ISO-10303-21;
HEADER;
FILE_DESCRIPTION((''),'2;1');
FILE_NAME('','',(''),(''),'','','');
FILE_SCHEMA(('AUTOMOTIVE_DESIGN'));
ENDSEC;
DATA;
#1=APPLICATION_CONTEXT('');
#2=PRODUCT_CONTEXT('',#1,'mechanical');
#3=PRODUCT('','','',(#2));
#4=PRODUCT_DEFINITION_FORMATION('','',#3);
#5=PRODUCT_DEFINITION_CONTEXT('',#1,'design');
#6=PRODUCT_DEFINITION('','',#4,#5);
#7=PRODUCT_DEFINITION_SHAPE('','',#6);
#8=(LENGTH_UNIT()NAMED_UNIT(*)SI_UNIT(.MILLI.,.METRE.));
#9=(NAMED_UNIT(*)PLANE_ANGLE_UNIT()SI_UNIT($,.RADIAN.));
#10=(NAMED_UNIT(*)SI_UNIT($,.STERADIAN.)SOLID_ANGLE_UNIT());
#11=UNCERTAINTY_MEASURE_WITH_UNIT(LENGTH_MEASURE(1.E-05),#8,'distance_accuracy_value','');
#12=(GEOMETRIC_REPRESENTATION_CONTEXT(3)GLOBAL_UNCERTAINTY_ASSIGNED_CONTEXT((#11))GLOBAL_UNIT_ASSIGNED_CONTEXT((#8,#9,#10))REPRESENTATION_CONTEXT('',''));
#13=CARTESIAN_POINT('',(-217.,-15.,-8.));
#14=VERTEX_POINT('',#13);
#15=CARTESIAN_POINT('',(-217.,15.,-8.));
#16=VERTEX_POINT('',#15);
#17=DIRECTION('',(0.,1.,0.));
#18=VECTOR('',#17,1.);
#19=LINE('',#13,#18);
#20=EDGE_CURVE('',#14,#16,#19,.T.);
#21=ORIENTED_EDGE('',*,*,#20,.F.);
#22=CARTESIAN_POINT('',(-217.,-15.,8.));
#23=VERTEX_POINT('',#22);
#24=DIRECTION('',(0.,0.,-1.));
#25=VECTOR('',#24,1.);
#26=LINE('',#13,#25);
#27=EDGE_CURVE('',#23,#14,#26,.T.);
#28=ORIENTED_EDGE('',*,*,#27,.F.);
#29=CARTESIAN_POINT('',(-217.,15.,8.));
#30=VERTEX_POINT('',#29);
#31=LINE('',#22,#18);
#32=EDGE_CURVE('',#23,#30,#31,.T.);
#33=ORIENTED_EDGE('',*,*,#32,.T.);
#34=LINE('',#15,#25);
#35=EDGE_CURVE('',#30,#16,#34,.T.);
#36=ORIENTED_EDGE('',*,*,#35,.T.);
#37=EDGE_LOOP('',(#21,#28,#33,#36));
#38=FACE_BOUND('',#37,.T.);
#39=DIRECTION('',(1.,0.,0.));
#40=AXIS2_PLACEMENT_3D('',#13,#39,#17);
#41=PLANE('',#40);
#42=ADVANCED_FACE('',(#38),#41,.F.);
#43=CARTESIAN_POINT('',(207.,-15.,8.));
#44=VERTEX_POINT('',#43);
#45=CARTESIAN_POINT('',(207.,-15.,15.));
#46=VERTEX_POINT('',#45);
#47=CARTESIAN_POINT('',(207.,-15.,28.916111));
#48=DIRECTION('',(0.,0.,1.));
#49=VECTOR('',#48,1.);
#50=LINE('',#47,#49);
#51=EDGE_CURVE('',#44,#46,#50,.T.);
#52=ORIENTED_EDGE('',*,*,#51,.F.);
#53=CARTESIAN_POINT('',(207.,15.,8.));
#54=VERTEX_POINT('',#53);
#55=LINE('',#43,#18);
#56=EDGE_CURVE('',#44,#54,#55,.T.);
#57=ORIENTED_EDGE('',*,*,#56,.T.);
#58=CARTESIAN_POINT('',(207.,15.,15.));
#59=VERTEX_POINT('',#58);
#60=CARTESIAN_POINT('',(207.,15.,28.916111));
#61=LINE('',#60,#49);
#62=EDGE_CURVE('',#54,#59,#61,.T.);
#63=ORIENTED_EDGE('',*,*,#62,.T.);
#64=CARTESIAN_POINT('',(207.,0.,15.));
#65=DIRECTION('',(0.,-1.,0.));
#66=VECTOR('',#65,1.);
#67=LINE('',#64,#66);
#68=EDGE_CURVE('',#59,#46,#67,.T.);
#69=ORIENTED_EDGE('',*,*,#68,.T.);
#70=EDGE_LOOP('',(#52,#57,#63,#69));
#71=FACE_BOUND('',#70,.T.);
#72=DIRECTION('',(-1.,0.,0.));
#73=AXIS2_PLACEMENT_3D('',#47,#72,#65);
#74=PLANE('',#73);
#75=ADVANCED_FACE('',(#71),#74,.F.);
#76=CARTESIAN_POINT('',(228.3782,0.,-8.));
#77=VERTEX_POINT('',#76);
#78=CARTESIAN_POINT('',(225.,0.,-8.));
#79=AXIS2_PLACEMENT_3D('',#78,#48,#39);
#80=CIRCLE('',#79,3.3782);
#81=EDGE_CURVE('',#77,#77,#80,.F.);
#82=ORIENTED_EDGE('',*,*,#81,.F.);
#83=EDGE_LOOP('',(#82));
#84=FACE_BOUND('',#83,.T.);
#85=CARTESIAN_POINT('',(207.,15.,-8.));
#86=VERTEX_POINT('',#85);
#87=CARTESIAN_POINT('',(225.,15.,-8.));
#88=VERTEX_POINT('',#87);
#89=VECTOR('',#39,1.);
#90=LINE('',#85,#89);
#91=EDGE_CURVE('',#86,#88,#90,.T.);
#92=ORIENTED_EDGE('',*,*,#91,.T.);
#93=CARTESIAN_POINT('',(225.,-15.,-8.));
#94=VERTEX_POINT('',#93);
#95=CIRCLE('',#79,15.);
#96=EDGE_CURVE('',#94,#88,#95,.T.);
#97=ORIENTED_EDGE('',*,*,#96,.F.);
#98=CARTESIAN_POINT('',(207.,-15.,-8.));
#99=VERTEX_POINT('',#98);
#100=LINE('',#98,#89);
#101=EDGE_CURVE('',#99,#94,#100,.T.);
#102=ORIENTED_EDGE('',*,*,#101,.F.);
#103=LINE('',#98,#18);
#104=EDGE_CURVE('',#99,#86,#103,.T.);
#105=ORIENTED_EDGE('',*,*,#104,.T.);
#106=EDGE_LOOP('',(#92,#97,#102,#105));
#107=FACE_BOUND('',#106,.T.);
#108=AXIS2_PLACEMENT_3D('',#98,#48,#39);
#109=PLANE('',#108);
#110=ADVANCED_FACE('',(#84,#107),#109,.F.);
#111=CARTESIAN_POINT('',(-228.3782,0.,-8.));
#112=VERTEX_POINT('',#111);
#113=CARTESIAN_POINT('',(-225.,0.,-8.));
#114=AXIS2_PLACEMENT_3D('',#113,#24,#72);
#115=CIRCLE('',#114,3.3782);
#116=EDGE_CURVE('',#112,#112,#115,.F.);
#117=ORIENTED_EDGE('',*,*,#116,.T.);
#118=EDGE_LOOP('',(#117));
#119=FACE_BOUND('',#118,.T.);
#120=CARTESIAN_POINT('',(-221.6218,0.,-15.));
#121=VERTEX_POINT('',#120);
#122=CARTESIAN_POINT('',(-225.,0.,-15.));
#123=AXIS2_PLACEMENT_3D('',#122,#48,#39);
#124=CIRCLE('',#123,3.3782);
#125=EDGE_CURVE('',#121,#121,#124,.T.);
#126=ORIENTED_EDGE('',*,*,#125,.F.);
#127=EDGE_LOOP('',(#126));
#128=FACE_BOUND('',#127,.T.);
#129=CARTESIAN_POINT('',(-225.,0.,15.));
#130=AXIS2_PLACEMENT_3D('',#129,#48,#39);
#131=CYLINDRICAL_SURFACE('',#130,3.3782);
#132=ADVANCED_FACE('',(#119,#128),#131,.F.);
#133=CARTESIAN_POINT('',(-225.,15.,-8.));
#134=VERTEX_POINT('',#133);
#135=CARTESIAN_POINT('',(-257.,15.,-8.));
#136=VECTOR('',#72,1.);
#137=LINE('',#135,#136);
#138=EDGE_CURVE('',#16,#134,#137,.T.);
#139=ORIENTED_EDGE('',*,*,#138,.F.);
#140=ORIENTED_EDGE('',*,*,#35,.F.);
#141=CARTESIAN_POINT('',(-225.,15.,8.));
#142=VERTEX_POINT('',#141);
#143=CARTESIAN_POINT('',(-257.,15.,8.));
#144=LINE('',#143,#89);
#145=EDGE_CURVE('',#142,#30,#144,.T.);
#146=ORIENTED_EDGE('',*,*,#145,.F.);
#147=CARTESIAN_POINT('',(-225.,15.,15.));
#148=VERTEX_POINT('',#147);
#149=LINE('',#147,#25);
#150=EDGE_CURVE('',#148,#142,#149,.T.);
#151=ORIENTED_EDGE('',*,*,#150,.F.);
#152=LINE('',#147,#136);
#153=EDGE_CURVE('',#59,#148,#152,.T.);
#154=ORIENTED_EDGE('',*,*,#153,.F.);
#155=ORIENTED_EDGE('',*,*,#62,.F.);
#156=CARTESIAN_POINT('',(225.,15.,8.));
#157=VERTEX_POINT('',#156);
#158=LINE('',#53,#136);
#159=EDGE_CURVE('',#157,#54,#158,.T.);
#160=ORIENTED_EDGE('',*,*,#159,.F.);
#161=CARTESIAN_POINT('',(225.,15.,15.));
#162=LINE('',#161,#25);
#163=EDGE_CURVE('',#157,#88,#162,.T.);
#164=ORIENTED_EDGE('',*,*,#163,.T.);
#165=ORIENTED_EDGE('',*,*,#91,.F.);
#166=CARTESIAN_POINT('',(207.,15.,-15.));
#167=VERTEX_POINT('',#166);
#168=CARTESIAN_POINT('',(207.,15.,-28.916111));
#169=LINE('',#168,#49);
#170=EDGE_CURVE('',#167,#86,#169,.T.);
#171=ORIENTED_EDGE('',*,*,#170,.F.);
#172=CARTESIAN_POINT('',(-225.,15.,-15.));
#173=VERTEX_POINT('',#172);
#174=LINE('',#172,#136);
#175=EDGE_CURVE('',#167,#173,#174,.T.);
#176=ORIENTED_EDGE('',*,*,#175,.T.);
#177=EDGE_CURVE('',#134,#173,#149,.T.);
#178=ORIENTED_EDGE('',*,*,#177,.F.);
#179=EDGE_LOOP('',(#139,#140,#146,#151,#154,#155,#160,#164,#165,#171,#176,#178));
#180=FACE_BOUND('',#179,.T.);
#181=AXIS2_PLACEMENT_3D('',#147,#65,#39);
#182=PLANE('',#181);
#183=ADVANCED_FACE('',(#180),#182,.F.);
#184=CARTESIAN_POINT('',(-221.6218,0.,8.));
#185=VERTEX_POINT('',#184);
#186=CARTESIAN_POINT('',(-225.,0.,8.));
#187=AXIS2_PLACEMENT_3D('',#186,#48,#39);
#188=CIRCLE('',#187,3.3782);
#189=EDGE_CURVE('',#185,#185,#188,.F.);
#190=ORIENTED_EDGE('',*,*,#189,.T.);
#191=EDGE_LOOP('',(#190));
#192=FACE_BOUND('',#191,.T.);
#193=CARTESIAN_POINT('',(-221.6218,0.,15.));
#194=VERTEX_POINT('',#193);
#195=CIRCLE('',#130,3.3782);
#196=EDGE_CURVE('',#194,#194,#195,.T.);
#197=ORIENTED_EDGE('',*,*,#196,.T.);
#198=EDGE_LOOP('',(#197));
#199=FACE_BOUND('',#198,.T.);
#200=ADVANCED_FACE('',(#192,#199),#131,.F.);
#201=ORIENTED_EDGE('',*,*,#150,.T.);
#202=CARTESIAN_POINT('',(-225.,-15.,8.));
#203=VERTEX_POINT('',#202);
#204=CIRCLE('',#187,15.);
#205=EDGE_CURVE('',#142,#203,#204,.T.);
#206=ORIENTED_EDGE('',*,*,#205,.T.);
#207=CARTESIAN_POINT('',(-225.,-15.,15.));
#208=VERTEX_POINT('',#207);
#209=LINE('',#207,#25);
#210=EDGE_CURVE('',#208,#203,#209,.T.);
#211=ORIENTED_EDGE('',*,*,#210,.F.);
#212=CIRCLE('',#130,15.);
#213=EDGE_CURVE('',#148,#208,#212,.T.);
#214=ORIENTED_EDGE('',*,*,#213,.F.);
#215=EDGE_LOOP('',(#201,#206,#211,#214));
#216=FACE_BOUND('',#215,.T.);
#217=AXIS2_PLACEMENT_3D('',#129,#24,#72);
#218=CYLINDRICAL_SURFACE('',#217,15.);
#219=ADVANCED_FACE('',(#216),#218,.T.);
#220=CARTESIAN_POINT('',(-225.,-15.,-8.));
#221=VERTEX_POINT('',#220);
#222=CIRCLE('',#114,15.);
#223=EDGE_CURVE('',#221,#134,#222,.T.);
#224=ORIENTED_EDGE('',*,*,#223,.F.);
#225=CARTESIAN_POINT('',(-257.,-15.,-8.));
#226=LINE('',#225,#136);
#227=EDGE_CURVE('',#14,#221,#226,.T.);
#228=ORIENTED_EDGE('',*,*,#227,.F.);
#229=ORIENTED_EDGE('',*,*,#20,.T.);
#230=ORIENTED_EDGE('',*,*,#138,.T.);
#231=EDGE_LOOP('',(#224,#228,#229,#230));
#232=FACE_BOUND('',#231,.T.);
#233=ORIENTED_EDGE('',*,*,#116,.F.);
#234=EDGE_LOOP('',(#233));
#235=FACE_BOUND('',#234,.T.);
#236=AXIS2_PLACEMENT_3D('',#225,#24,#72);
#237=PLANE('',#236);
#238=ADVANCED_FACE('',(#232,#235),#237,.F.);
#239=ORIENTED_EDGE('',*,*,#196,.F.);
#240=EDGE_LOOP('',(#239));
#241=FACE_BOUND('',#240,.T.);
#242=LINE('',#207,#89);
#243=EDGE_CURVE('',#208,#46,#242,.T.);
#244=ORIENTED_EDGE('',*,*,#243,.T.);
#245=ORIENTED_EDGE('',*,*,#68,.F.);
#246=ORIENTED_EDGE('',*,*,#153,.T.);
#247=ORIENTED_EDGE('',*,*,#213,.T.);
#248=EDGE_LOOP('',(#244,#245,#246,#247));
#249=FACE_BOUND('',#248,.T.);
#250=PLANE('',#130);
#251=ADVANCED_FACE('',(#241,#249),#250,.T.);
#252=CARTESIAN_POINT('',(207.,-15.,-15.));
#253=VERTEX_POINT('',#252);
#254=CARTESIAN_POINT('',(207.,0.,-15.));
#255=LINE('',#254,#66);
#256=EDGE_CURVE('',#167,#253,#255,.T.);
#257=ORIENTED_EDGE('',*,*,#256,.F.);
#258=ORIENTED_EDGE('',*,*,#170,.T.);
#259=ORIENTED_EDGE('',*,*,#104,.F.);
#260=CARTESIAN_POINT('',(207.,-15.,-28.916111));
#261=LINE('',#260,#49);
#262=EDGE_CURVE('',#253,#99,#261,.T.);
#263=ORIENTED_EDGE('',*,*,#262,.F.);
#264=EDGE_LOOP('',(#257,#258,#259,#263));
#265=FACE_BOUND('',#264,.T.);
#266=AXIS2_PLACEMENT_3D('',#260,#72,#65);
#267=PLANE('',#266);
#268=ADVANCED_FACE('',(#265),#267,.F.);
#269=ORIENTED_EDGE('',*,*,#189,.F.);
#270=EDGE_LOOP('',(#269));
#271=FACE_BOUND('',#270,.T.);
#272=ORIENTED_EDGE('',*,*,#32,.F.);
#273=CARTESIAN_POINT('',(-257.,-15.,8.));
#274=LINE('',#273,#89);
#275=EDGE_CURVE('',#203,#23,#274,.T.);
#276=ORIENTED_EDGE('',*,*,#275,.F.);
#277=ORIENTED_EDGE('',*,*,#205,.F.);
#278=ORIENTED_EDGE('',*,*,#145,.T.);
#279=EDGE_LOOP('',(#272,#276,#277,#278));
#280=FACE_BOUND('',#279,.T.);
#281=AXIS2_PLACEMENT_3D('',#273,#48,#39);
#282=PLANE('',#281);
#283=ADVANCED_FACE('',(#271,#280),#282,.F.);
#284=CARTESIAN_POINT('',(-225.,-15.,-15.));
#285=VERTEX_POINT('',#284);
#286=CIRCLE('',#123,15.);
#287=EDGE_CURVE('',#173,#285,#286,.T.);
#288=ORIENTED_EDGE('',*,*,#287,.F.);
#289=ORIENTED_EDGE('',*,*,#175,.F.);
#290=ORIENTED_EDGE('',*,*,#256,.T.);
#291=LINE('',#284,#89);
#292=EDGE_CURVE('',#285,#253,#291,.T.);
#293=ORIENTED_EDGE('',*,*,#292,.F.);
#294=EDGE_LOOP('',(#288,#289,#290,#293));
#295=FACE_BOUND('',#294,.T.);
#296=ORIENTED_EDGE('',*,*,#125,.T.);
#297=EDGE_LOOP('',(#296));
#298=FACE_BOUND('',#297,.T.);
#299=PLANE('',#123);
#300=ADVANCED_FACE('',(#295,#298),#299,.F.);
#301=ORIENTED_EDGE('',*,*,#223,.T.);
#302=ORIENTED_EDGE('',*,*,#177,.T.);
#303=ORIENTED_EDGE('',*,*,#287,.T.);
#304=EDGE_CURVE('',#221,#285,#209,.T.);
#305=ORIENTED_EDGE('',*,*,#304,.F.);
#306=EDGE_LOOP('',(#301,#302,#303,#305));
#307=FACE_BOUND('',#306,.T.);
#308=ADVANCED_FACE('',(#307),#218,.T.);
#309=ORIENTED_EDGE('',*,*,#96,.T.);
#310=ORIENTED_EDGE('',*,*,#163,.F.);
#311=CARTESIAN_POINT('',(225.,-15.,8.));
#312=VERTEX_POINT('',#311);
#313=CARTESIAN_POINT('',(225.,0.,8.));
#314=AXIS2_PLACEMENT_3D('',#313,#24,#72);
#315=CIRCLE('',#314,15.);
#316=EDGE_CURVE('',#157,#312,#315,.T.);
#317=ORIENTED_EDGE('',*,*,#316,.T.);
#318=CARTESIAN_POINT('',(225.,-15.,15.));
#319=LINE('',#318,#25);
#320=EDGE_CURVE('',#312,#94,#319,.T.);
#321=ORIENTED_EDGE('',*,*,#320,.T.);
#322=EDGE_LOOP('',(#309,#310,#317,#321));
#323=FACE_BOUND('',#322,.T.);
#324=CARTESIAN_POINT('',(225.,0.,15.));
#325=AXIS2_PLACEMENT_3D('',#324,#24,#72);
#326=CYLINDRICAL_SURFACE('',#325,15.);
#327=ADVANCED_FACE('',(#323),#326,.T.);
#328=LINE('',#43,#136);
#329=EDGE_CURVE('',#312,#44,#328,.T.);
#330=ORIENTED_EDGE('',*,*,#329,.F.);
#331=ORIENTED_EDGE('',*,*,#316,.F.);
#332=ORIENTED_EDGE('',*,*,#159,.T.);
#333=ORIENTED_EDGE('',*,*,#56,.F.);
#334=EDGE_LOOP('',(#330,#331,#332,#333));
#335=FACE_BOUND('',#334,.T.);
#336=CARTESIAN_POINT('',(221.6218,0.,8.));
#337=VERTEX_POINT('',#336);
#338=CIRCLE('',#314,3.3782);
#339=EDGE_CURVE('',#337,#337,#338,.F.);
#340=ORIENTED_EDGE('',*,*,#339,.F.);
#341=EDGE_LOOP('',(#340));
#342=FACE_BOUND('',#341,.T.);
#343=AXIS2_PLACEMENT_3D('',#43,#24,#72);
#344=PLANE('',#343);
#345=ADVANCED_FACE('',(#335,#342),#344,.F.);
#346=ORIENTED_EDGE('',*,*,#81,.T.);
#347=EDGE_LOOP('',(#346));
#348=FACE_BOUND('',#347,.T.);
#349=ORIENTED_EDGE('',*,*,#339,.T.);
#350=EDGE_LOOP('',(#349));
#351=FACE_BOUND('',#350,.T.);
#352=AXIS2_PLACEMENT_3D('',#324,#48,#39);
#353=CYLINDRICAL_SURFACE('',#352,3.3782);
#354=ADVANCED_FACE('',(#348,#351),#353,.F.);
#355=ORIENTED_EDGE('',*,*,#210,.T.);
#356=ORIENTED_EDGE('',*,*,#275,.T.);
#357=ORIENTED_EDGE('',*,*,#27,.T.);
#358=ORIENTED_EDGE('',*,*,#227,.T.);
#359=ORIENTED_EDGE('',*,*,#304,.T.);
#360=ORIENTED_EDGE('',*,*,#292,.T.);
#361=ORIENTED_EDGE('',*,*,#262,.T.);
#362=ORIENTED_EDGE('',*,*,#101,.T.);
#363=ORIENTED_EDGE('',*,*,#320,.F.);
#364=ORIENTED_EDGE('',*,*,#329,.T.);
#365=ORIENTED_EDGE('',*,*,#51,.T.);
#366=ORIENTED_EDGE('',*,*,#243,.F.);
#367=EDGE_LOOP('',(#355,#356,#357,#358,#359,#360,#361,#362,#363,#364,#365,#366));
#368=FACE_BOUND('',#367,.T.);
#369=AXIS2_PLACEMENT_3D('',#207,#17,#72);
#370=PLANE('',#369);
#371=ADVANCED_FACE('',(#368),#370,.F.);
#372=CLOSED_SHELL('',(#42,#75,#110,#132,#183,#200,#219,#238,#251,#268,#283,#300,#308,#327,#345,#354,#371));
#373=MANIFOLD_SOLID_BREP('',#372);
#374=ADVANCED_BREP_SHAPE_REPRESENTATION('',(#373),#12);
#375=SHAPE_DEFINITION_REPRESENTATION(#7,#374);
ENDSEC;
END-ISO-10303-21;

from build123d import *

# Parameters (mm, degrees)
BOSS_EXTRUDE1_DEPTH      = 15
H_0_266_DIAMETER_HOLE1_D = 6.7564
SKETCH5_W                = 40
SKETCH5_H                = 16
SKETCH5_H_2              = 20.916111238
CUT_EXTRUDE1_DEPTH       = 243.332416321


with BuildPart() as part:
    # Sketch1 → Boss-Extrude1 (new, symmetric)
    with BuildSketch(Plane.XY):
        with BuildLine():
            Line((-225, 15), (225, 15))
            ThreePointArc((225, 15), (240, 0), (225, -15))
            Line((225, -15), (-225, -15))
            ThreePointArc((-225, -15), (-240, 0), (-225, 15))
        make_face()
    extrude(amount=BOSS_EXTRUDE1_DEPTH, both=True)

    # H (0.266) Diameter Hole1 (through all)
    with Locations(Plane.XY.offset(15)):
        with Locations((-225, 0), (225, 0)):
            Hole(H_0_266_DIAMETER_HOLE1_D / 2)

    # Sketch5 → Cut-Extrude1 (cut, through all)
    with BuildSketch(Plane(origin=(0, 15, 0), x_dir=(1, 0, 0), z_dir=(0, 1, 0))):
        with Locations((-237, 0)):
            Rectangle(SKETCH5_W, SKETCH5_H)
        with Locations((227, 18.458055619)):
            Rectangle(SKETCH5_W, SKETCH5_H_2)
        with Locations((227, -18.458055619)):
            Rectangle(SKETCH5_W, SKETCH5_H_2)
    extrude(amount=-CUT_EXTRUDE1_DEPTH, mode=Mode.SUBTRACT)


solid = part.part
